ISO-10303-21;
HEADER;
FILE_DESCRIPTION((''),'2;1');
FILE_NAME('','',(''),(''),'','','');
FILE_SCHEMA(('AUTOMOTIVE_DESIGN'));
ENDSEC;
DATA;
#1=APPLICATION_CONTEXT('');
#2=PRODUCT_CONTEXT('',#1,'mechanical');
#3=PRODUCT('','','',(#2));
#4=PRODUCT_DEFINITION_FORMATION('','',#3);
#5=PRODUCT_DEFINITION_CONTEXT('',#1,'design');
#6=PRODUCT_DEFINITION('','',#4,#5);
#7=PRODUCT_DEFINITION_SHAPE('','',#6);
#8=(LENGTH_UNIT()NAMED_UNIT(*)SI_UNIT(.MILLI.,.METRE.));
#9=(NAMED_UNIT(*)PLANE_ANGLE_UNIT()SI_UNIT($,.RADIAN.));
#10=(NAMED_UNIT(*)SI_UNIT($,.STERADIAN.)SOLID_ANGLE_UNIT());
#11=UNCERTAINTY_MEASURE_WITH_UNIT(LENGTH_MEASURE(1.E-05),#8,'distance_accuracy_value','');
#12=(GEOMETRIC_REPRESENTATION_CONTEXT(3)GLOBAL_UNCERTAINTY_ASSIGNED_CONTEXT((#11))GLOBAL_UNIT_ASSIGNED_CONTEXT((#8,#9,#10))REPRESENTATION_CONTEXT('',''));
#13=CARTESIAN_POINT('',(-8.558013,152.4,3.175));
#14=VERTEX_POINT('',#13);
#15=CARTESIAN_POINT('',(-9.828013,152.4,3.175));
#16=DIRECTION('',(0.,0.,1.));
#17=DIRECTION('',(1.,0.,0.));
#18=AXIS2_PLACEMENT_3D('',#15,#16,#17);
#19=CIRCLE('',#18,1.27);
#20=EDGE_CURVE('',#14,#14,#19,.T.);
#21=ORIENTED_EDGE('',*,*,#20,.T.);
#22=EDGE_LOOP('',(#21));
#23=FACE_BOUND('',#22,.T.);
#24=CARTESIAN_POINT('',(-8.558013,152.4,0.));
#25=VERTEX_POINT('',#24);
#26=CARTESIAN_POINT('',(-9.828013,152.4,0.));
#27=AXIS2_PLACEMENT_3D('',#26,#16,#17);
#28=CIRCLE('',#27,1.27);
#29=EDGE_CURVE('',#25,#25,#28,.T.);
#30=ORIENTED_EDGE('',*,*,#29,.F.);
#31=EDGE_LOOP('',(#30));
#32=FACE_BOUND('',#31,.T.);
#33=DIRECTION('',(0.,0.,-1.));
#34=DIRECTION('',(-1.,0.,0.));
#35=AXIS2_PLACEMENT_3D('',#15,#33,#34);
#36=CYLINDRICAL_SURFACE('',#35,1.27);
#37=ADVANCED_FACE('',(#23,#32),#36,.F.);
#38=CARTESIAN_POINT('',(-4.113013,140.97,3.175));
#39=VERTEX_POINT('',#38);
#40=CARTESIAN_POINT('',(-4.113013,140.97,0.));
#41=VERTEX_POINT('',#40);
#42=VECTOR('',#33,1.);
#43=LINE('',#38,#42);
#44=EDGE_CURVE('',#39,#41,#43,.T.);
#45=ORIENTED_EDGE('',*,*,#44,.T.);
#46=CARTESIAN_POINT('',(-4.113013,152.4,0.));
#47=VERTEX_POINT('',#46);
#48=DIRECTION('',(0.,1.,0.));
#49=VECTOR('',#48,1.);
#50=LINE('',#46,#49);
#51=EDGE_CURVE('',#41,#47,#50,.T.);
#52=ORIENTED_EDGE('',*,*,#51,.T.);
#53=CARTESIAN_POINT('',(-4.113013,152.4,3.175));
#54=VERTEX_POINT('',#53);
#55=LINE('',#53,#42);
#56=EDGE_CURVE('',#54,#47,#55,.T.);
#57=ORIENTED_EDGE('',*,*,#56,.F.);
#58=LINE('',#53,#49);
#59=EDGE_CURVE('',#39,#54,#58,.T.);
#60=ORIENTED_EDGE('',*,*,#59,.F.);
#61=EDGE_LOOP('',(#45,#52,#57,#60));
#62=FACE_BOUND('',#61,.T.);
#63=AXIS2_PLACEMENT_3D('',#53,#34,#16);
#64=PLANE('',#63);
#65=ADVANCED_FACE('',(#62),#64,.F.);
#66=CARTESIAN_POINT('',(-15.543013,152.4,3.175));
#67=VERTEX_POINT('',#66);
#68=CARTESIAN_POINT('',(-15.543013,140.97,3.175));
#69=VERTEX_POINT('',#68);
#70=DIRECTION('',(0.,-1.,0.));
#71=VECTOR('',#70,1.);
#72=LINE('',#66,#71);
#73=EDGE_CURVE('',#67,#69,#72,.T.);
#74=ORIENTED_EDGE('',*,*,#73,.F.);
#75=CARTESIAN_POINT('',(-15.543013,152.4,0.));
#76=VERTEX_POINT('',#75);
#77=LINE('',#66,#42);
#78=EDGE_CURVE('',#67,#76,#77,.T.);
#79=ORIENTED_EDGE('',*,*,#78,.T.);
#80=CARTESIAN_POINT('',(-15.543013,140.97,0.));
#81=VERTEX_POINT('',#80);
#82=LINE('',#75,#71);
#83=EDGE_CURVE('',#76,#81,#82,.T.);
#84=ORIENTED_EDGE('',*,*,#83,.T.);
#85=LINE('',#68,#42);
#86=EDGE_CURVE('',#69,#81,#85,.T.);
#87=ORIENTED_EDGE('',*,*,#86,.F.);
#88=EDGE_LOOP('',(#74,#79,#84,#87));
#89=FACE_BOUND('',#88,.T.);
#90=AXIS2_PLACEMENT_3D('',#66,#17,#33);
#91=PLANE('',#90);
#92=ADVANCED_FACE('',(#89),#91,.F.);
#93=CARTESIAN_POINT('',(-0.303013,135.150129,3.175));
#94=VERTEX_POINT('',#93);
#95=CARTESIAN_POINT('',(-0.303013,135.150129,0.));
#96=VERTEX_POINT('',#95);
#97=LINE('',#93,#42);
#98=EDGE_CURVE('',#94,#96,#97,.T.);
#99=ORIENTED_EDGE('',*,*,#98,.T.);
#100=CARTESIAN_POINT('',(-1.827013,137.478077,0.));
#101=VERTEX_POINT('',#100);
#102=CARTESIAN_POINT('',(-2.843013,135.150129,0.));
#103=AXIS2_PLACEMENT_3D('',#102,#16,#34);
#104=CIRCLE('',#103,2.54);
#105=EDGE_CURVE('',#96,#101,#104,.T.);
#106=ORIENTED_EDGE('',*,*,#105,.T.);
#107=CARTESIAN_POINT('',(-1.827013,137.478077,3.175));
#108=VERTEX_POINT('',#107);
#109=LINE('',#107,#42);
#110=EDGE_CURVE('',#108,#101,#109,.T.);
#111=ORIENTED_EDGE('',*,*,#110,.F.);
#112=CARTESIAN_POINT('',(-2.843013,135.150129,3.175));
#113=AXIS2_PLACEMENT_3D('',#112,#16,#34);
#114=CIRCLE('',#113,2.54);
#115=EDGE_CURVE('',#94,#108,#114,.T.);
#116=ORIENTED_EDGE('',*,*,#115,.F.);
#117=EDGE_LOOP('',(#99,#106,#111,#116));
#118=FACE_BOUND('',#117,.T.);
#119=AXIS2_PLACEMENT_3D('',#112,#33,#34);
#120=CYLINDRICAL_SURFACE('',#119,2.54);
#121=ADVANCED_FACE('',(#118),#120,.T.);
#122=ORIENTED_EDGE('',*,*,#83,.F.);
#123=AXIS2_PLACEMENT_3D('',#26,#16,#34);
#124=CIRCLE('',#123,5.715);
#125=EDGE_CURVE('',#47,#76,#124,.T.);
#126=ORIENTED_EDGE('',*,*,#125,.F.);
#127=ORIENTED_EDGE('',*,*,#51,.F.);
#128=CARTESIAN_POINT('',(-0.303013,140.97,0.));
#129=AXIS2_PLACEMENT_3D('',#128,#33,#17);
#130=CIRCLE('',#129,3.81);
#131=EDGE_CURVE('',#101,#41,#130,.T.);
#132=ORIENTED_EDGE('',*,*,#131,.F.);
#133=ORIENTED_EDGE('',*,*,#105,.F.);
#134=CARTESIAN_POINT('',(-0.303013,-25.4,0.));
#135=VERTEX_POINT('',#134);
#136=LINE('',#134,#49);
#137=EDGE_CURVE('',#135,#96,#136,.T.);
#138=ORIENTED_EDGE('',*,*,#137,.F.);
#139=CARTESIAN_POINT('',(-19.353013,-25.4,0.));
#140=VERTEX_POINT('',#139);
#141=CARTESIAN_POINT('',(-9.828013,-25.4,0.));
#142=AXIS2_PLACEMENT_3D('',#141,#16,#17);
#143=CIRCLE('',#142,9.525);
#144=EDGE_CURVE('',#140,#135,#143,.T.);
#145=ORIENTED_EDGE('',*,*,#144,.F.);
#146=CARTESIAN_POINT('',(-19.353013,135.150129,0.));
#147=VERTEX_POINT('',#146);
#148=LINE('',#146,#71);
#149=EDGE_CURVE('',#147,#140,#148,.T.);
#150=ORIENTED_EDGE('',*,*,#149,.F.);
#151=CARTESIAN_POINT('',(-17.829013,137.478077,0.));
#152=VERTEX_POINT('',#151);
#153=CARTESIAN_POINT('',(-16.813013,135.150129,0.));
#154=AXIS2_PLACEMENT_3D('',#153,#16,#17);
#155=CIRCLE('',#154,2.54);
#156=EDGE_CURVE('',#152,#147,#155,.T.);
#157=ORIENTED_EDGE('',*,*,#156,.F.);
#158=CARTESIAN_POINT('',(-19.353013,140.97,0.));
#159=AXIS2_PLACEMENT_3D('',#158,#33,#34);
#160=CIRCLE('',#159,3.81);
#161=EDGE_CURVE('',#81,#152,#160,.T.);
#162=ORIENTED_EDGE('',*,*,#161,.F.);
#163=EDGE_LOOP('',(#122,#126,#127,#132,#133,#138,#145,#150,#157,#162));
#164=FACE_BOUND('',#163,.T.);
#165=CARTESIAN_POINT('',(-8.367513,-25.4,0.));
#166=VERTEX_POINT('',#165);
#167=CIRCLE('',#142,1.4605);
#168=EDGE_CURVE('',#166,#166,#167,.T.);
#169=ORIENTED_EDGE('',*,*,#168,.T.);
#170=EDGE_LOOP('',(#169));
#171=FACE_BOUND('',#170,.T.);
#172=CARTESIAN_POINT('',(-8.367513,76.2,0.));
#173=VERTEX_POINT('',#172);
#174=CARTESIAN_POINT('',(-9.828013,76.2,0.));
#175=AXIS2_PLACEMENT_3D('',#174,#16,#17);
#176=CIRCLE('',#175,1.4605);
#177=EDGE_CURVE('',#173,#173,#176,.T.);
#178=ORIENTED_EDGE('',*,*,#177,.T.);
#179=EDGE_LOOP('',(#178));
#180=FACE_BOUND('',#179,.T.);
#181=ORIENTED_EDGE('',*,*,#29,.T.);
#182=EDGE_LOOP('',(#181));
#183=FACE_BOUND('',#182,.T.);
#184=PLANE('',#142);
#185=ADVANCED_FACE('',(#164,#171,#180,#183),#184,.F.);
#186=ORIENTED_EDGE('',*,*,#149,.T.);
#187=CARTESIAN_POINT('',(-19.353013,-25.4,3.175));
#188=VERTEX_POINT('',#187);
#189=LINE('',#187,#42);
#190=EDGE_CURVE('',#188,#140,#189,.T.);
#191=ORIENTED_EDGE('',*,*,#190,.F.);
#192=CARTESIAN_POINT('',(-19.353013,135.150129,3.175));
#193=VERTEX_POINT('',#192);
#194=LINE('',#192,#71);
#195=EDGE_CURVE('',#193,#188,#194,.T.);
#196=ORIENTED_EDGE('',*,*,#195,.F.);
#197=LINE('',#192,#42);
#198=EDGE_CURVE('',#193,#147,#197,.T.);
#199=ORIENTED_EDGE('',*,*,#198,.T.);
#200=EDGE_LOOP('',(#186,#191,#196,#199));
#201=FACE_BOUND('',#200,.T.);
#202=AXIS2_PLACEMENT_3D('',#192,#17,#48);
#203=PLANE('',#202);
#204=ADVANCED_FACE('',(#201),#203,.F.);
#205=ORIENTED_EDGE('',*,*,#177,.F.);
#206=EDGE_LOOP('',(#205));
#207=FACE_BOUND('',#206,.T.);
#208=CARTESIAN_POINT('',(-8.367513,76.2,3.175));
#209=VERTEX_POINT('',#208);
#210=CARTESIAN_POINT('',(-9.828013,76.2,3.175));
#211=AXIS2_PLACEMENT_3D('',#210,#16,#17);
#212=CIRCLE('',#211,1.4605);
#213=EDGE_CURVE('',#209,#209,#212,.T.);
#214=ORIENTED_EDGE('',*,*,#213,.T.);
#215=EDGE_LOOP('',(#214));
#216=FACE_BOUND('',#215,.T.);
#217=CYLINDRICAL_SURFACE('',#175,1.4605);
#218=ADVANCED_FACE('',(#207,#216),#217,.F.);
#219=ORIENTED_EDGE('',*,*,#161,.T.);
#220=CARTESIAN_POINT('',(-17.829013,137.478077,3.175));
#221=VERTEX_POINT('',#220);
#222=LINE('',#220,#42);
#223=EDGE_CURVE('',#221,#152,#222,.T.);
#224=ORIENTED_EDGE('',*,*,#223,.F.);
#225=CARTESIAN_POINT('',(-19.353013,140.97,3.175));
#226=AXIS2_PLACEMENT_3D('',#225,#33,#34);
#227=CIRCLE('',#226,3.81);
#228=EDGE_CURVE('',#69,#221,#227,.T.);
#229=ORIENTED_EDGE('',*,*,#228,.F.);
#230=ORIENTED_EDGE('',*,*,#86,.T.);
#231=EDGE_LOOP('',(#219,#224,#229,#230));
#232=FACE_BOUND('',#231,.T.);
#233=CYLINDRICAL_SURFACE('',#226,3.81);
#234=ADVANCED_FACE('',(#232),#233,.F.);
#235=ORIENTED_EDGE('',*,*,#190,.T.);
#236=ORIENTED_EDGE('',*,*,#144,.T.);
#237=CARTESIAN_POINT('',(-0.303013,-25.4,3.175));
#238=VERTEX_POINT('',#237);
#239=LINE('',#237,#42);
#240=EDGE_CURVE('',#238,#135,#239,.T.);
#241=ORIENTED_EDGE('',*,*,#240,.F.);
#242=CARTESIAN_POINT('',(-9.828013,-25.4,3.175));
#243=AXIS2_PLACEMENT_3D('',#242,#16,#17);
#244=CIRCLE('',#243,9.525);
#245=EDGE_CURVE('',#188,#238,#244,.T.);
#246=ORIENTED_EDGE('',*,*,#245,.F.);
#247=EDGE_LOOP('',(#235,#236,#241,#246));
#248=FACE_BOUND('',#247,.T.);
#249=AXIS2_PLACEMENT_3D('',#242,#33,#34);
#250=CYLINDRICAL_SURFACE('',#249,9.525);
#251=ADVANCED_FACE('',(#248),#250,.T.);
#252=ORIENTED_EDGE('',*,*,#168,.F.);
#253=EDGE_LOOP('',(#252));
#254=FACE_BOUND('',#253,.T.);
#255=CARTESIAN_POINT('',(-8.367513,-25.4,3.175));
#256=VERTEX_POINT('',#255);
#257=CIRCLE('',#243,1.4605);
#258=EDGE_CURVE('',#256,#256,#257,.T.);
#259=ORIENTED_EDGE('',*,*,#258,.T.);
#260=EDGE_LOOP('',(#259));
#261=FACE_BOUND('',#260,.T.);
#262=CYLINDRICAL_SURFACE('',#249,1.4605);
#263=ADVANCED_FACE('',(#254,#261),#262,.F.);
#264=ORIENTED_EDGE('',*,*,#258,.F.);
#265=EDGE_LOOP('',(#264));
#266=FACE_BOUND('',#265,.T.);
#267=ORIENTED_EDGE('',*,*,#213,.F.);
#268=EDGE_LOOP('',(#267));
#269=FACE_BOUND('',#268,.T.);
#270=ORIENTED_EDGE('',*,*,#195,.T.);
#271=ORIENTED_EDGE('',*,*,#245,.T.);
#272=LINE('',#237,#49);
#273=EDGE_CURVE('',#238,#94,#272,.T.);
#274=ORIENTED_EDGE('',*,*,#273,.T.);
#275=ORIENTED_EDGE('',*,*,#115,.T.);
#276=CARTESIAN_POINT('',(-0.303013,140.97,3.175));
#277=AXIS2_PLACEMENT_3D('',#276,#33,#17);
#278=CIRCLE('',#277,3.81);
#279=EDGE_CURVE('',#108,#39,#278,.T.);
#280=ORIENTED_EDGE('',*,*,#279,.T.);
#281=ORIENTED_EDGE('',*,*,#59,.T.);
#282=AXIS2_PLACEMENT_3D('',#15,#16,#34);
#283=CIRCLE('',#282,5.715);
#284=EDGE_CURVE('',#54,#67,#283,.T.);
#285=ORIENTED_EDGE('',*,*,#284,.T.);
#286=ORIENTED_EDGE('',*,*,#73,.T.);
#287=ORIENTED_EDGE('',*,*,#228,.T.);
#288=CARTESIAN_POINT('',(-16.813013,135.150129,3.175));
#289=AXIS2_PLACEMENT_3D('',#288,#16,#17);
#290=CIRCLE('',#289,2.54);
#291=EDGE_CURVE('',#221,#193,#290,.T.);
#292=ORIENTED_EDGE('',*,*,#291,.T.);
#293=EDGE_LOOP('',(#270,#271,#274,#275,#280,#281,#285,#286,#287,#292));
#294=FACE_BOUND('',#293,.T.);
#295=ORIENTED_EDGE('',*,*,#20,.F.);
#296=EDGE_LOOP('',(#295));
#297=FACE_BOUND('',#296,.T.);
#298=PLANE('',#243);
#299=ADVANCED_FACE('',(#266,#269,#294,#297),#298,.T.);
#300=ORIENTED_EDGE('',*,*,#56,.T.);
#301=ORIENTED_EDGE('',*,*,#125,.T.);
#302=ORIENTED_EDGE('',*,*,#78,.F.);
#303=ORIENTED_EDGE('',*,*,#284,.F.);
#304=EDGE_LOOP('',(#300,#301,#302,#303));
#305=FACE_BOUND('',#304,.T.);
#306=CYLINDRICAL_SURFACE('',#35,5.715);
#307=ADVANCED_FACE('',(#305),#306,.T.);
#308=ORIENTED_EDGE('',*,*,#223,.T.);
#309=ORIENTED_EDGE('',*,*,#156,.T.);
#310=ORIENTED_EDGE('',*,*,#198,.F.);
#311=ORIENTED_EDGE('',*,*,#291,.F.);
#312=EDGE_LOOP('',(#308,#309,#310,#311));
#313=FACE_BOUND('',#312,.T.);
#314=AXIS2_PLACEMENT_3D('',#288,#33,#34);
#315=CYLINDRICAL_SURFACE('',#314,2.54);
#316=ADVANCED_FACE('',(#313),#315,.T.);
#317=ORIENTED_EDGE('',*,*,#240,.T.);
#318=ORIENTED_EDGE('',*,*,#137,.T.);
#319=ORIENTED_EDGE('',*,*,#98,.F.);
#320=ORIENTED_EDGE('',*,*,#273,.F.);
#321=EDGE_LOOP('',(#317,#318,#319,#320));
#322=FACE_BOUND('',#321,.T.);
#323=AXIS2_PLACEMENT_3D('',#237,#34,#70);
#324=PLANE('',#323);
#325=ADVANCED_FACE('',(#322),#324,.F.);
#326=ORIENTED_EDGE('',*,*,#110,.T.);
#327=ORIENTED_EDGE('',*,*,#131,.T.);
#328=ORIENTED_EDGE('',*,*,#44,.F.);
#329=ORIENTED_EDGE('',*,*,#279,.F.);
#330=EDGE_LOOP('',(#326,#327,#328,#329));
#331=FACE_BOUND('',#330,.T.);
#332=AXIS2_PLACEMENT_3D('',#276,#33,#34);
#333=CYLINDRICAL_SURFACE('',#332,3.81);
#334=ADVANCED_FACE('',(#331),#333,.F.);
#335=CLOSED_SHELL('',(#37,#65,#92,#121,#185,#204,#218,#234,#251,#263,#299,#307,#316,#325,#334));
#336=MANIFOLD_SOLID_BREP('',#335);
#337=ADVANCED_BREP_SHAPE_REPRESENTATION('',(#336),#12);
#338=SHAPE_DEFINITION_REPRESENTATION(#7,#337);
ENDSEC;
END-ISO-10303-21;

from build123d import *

# Parameters (mm, degrees)
SKETCH1_R           = 1.4605
SKETCH1_R_2         = 1.27
BOSS_EXTRUDE1_DEPTH = 3.175
SKETCH3_R           = 1.4605
CUT_EXTRUDE2_DEPTH  = 3.175


with BuildPart() as part:
    # Sketch1 → Boss-Extrude1 (new body)
    with BuildSketch(Plane.XY):
        with BuildLine():
            Line((-19.353012887, 135.150128867), (-19.353012887, -25.400000121))
            ThreePointArc((-19.353012887, -25.400000121), (-9.828012887, -34.925000121), (-0.303012887, -25.400000121))
            Line((-0.303012887, -25.400000121), (-0.303012887, 135.150128867))
            ThreePointArc((-0.303012887, 135.150128867), (-0.71789642, 136.541344163), (-1.827012887, 137.47807732))
            ThreePointArc((-1.827012887, 137.47807732), (-3.490687589, 138.883177056), (-4.113012887, 140.97))
            Line((-4.113012887, 140.97), (-4.113012887, 152.4))
            ThreePointArc((-4.113012887, 152.4), (-9.828012887, 158.115), (-15.543012887, 152.4))
            Line((-15.543012887, 152.4), (-15.543012887, 140.97))
            ThreePointArc((-15.543012887, 140.97), (-16.165338186, 138.883177056), (-17.829012887, 137.47807732))
            ThreePointArc((-17.829012887, 137.47807732), (-18.938129355, 136.541344163), (-19.353012887, 135.150128867))
        make_face()
        with Locations((-9.828012887, -25.400000121)):
            Circle(SKETCH1_R, mode=Mode.SUBTRACT)
        with Locations((-9.828012887, 152.4)):
            Circle(SKETCH1_R_2, mode=Mode.SUBTRACT)
    extrude(amount=BOSS_EXTRUDE1_DEPTH)

    # Sketch3 → Cut-Extrude2 (cut)
    with BuildSketch(Plane.XY.offset(3.175)):
        with Locations((-9.828012887, 76.2)):
            Circle(SKETCH3_R)
    extrude(amount=-CUT_EXTRUDE2_DEPTH, mode=Mode.SUBTRACT)


solid = part.part
